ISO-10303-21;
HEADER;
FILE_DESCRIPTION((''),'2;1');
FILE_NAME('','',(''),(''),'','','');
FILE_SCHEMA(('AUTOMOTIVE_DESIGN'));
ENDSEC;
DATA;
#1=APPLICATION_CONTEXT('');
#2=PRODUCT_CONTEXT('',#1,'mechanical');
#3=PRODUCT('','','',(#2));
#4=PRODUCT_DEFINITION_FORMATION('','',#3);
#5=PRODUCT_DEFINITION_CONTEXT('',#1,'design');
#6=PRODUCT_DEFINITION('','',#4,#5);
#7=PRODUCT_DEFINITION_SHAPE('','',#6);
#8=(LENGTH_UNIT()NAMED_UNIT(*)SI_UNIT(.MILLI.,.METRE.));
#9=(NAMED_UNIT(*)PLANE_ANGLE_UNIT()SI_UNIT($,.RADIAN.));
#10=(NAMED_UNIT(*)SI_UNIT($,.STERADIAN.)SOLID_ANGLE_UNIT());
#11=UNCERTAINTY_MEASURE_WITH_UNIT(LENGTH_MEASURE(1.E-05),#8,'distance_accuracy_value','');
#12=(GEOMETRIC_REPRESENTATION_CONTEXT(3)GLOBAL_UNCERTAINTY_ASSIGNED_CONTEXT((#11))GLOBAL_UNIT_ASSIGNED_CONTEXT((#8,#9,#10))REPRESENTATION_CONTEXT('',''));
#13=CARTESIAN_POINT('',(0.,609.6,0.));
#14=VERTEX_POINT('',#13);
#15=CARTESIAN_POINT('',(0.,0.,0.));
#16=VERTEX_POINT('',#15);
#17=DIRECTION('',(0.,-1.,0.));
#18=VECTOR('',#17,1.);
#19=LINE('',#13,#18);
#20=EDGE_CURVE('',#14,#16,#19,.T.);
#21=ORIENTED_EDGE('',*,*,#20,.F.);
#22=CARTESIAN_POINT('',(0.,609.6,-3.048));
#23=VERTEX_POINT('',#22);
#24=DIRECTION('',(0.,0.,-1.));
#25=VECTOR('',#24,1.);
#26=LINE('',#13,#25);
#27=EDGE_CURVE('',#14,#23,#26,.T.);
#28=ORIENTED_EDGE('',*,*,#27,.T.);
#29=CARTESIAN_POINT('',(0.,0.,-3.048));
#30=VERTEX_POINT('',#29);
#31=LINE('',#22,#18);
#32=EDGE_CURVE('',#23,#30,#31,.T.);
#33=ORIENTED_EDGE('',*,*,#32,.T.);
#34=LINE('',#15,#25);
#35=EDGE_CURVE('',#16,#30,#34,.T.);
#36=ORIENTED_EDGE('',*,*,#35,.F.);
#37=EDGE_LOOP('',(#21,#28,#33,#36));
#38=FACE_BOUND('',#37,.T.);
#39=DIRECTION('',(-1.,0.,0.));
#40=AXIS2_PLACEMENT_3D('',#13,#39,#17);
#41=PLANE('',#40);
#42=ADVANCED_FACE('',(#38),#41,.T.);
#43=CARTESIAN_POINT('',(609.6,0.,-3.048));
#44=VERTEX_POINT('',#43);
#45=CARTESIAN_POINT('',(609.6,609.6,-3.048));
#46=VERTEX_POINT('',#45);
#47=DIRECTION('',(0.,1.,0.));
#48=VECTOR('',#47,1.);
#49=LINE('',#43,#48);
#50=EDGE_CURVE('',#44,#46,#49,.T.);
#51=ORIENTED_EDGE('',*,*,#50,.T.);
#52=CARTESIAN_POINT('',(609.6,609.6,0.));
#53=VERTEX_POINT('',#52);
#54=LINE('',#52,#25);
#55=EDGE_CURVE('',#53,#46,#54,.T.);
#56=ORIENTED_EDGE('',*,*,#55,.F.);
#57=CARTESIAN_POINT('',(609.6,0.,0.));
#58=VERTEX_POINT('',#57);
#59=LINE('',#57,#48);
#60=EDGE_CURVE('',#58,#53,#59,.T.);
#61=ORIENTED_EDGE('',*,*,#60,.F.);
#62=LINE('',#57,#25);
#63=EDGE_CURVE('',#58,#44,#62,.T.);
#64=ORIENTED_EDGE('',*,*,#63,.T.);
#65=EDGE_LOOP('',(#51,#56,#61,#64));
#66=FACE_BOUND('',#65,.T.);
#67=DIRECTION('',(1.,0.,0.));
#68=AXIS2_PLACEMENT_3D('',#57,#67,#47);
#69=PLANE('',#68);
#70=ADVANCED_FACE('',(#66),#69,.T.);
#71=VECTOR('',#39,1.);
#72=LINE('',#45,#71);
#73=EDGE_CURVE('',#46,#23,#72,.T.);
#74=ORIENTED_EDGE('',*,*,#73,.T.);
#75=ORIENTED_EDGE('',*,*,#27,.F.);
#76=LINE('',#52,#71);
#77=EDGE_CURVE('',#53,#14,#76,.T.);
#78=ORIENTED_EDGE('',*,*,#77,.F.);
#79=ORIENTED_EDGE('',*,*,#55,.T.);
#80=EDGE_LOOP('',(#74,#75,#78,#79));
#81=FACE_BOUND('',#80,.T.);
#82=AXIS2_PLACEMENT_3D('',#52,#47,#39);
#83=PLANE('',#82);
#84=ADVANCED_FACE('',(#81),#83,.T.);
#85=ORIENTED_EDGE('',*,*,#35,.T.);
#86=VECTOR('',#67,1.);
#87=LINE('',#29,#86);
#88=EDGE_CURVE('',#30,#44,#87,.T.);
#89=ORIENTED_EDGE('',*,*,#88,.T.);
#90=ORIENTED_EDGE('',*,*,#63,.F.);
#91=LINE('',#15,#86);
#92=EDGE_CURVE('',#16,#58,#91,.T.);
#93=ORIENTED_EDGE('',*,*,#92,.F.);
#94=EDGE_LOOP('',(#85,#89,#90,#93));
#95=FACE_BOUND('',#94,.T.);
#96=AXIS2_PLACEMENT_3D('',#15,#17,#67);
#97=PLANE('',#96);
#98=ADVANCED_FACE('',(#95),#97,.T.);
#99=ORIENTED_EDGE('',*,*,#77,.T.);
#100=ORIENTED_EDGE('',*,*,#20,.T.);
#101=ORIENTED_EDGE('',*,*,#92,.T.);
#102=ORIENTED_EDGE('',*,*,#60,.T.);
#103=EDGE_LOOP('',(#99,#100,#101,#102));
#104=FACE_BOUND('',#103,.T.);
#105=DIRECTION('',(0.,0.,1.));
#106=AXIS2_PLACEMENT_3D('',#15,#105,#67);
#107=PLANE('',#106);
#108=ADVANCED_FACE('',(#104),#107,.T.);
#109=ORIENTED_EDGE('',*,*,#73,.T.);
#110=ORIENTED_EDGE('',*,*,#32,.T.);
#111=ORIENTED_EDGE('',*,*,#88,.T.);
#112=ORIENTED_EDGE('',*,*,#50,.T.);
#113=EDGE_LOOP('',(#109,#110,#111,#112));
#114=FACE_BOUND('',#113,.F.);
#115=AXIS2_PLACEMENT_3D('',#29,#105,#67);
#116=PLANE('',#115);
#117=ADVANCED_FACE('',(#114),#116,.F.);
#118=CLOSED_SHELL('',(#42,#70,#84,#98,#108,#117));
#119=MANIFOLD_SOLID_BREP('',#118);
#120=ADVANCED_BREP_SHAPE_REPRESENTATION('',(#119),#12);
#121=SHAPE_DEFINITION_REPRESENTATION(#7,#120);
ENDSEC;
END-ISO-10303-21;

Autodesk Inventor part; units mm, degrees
ref_plane "YZ Plane" through (0, 0, 0) normal (1, 0, 0) x (0, 1, 0)
ref_plane "XZ Plane" through (0, 0, 0) normal (0, 1, 0) x (-1, 0, 0)
ref_plane "XY Plane" through (0, 0, 0) normal (0, 0, 1) x (1, 0, 0)
sketch "Sketch1" plane through (0, 0, 0) normal (0, 0, 1) x (1, 0, 0)
  line L0 (0, 0) -> (609.6, 0)
  line L1 (609.6, 0) -> (609.6, 609.6)
  line L2 (609.6, 609.6) -> (0, 609.6)
  line L3 (0, 609.6) -> (0, 0)
  dimension "d0" = 609.6
  dimension "d1" = 609.6
extrude "Extrusion1" add sketch "Sketch1" against normal blind 3.048
properties part number "GE-13025-01" material "Steel"
